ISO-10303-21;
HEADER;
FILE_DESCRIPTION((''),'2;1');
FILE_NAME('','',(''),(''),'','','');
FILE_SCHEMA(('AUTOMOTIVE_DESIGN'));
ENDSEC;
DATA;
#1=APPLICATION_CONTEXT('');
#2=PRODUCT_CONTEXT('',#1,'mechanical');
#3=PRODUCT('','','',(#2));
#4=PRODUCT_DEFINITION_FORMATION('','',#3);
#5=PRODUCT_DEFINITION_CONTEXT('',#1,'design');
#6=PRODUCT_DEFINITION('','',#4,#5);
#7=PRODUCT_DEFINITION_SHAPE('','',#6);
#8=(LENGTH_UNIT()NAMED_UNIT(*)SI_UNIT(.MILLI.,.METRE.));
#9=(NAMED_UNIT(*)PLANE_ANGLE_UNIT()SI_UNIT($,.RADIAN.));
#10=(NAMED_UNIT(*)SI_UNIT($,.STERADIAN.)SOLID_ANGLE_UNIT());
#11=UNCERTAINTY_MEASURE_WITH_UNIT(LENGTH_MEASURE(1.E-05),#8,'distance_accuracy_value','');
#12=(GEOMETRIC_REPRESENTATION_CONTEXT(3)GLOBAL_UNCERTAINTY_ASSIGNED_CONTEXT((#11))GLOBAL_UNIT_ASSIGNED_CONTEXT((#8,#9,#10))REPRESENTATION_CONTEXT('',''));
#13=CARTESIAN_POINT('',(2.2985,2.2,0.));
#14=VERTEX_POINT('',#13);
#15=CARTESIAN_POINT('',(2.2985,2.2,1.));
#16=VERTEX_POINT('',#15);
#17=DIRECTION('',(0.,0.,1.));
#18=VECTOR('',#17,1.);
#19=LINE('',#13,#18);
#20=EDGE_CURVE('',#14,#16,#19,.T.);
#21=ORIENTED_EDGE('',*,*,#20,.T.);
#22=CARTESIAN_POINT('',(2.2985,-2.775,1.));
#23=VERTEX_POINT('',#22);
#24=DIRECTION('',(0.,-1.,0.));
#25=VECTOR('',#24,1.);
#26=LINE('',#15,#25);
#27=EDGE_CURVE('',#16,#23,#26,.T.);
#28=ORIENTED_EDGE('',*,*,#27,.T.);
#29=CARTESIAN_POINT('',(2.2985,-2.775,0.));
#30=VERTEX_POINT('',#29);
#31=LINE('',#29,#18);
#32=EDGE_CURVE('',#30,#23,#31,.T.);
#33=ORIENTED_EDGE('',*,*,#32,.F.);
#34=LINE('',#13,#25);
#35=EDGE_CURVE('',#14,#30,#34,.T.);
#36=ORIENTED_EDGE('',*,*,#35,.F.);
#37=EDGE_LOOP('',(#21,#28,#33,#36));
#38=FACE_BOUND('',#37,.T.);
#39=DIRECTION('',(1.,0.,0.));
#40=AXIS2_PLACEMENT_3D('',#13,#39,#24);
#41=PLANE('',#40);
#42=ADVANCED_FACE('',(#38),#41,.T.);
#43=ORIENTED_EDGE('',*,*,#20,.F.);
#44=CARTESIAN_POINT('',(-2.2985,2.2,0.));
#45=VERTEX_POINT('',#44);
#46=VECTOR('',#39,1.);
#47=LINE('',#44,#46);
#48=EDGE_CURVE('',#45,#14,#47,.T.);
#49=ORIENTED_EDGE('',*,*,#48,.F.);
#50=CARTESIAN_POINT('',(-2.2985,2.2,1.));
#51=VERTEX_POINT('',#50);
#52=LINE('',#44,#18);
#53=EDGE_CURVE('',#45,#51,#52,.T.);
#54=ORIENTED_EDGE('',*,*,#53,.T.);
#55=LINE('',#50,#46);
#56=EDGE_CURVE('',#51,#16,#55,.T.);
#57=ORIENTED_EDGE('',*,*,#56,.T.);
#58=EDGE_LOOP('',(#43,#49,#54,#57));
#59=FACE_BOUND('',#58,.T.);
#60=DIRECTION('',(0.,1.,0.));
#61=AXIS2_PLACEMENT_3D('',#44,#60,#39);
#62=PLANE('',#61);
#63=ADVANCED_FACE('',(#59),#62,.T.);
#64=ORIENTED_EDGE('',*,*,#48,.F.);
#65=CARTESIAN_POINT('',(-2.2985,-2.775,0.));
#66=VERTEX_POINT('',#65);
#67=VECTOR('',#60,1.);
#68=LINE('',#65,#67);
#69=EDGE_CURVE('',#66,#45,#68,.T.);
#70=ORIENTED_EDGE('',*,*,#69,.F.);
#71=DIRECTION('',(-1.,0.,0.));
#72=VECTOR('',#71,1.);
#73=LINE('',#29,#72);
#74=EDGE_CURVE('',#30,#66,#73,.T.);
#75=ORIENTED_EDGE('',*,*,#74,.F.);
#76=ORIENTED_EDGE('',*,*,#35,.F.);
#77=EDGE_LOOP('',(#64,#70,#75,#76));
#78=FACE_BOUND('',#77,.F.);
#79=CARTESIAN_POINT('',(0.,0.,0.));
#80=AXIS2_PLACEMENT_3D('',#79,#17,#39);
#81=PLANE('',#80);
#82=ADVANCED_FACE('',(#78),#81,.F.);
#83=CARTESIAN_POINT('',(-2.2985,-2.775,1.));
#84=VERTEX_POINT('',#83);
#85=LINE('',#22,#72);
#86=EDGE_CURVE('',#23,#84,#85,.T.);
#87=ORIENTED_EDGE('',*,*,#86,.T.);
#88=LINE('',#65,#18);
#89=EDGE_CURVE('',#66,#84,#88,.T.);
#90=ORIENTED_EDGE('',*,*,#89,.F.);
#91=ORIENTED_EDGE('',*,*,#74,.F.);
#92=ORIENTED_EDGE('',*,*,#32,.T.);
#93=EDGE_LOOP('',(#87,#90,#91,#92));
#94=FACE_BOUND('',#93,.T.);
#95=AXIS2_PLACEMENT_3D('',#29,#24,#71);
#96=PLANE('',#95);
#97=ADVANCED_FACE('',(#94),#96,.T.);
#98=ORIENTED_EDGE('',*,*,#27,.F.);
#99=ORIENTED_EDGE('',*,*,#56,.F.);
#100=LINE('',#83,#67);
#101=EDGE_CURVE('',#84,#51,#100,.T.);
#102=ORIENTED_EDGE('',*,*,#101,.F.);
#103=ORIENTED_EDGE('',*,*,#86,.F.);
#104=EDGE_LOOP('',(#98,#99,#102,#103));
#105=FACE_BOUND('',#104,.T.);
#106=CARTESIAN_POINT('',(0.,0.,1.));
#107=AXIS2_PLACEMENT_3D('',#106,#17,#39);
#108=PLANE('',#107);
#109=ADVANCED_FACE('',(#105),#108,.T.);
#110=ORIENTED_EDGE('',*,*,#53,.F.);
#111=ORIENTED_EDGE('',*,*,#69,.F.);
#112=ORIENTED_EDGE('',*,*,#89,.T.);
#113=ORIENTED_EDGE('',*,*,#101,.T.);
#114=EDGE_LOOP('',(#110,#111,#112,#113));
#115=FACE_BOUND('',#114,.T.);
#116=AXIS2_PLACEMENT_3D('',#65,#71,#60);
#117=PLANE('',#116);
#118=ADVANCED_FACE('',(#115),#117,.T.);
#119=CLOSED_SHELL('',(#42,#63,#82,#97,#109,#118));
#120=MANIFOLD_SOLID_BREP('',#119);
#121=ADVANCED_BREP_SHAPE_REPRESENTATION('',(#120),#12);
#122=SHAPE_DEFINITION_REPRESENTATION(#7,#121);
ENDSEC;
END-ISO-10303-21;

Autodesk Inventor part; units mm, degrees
ref_plane "YZ Plane" through (0, 0, 0) normal (1, 0, 0) x (0, 1, 0)
ref_plane "XZ Plane" through (0, 0, 0) normal (0, 1, 0) x (-1, 0, 0)
ref_plane "XY Plane" through (0, 0, 0) normal (0, 0, 1) x (1, 0, 0)
sketch "SOT89, 78L12F_24" plane through (0, 0, 0) normal (0, 0, 1) x (1, 0, 0)
  line L0 (-2.2985, 2.2) -> (2.2985, 2.2)
  line L1 (2.2985, 2.2) -> (2.2985, -2.775)
  line L2 (2.2985, -2.775) -> (-2.2985, -2.775)
  line L3 (-2.2985, -2.775) -> (-2.2985, 2.2)
extrude "Extrusion1" add sketch "SOT89, 78L12F_24" along normal blind 1
properties part number "78L12F"
